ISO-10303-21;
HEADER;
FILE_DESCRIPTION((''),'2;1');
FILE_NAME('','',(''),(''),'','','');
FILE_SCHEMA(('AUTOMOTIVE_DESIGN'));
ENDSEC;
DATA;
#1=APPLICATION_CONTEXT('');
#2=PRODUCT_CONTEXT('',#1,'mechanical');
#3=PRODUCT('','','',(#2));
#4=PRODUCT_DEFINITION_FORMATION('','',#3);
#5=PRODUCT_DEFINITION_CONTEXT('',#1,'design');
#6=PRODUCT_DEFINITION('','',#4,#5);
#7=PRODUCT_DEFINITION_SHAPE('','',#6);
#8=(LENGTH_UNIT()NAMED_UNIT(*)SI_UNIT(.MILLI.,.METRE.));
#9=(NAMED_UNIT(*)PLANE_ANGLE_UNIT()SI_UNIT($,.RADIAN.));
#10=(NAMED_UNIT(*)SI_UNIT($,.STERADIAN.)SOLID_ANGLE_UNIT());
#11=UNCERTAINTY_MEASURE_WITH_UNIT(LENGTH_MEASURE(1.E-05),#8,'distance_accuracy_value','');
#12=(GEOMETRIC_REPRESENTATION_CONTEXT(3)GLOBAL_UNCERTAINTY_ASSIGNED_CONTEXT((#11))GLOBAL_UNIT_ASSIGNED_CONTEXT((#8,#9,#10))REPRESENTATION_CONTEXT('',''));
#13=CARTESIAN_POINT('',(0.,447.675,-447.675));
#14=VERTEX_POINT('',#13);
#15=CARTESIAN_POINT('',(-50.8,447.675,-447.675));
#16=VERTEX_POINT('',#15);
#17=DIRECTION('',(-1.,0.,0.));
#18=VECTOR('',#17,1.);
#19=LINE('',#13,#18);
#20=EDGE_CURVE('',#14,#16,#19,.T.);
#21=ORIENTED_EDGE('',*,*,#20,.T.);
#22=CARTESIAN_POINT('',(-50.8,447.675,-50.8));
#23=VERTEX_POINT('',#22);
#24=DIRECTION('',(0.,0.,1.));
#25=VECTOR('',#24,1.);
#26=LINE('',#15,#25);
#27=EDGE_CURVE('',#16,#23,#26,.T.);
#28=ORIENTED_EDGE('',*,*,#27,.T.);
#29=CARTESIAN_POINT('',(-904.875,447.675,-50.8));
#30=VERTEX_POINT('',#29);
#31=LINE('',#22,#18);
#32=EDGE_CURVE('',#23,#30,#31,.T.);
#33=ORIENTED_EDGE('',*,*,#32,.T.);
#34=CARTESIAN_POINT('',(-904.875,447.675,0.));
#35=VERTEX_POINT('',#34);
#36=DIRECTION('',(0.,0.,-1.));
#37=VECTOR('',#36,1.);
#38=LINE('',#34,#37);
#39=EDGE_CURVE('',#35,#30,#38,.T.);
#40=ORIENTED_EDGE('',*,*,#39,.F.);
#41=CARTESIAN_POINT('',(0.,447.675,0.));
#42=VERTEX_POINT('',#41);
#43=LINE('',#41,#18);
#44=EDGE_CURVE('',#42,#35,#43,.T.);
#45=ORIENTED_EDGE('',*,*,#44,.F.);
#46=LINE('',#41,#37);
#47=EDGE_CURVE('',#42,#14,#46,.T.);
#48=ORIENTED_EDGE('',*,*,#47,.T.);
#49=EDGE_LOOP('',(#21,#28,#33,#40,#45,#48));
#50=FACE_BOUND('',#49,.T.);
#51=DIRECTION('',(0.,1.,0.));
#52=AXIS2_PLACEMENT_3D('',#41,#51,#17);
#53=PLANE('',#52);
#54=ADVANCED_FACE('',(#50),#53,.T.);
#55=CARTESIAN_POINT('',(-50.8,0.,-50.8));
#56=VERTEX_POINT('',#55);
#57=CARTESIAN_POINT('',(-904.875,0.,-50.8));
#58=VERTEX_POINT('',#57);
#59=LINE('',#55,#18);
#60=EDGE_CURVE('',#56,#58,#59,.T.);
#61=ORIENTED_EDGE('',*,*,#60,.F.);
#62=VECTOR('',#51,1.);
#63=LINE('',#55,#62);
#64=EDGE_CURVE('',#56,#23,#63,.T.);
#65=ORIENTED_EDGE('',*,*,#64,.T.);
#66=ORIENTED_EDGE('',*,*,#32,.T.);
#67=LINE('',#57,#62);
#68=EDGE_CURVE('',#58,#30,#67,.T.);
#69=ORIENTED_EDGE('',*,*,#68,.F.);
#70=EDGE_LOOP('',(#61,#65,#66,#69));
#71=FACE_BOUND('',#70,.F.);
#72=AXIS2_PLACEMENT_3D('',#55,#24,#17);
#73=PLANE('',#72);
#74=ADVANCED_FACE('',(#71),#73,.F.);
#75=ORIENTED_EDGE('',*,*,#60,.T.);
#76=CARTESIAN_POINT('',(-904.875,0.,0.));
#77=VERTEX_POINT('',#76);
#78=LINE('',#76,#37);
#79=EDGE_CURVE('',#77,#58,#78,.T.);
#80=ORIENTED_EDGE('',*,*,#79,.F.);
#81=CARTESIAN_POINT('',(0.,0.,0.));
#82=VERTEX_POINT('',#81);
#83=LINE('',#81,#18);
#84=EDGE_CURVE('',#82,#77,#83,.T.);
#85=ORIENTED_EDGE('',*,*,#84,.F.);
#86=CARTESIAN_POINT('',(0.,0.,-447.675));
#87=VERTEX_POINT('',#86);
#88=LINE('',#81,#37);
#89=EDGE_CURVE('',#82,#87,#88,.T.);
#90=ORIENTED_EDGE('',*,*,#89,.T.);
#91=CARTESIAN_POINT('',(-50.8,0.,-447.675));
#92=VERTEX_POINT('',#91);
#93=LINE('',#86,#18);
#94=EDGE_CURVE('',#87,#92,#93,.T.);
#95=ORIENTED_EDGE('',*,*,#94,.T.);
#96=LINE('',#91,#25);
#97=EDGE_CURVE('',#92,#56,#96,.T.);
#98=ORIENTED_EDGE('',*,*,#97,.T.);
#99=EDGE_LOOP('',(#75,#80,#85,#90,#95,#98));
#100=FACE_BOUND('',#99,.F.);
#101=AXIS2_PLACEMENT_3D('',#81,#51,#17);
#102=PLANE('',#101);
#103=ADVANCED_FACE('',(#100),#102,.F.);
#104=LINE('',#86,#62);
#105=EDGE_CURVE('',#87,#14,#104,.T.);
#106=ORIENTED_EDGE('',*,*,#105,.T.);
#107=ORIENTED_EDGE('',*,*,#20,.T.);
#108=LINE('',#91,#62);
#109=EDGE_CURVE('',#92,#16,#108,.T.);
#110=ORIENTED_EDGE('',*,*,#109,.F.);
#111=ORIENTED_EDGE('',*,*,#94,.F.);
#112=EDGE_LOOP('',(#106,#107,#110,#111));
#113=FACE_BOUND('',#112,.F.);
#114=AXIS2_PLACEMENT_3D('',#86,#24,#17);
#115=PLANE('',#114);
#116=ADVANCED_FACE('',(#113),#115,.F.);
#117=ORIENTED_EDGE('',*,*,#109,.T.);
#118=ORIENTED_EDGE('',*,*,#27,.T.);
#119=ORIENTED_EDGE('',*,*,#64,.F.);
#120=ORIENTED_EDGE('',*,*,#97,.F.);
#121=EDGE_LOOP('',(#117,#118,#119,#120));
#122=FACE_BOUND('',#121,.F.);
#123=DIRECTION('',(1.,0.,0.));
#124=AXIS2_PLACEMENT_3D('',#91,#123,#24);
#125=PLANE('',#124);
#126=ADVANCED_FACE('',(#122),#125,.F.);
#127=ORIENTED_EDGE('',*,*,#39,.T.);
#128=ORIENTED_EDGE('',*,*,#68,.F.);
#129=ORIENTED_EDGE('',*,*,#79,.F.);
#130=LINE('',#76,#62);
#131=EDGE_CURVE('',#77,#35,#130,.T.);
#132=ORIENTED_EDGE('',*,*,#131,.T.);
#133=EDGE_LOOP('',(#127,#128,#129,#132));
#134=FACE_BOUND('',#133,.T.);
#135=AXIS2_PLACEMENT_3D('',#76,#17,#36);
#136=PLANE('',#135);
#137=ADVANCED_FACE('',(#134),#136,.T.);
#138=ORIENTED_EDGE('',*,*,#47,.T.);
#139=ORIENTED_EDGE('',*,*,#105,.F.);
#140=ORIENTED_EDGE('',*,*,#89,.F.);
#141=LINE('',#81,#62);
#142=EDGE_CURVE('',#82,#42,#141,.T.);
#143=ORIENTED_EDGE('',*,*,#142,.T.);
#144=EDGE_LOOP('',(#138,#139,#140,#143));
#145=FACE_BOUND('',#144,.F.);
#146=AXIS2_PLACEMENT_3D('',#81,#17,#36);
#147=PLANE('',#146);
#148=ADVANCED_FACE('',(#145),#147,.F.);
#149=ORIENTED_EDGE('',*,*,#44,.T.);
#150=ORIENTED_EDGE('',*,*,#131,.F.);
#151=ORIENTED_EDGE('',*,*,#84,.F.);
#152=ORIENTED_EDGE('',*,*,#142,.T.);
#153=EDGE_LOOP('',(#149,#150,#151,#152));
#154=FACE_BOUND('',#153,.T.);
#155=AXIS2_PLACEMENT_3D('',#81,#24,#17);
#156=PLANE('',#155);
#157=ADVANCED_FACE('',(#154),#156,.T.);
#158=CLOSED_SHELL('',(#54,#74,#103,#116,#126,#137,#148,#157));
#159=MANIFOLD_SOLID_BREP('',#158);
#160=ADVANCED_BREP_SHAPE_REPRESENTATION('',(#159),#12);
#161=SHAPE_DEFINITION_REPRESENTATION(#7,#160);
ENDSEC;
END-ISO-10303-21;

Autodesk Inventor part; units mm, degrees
ref_plane "YZ Plane" through (0, 0, 0) normal (1, 0, 0) x (0, 1, 0)
ref_plane "XZ Plane" through (0, 0, 0) normal (0, 1, 0) x (-1, 0, 0)
ref_plane "XY Plane" through (0, 0, 0) normal (0, 0, 1) x (1, 0, 0)
sketch "Sketch1" plane through (0, 0, 0) normal (0, 1, 0) x (-1, 0, 0)
  line L0 (0, 0) -> (904.875, 0)
  line L1 (904.875, 0) -> (904.875, -50.8)
  line L2 (0, 0) -> (0, -447.675)
  line L3 (0, -447.675) -> (50.8, -447.675)
  line L4 (50.8, -447.675) -> (50.8, -50.8)
  line L5 (50.8, -50.8) -> (904.875, -50.8)
  dimension "d0" = 904.875
  dimension "d1" = 50.8
  dimension "d2" = 447.675
  dimension "d3" = 50.8
extrude "Extrusion1" add sketch "Sketch1" along normal blind 447.675
properties part number "Corner" material "Granite, Cut, Polished"
